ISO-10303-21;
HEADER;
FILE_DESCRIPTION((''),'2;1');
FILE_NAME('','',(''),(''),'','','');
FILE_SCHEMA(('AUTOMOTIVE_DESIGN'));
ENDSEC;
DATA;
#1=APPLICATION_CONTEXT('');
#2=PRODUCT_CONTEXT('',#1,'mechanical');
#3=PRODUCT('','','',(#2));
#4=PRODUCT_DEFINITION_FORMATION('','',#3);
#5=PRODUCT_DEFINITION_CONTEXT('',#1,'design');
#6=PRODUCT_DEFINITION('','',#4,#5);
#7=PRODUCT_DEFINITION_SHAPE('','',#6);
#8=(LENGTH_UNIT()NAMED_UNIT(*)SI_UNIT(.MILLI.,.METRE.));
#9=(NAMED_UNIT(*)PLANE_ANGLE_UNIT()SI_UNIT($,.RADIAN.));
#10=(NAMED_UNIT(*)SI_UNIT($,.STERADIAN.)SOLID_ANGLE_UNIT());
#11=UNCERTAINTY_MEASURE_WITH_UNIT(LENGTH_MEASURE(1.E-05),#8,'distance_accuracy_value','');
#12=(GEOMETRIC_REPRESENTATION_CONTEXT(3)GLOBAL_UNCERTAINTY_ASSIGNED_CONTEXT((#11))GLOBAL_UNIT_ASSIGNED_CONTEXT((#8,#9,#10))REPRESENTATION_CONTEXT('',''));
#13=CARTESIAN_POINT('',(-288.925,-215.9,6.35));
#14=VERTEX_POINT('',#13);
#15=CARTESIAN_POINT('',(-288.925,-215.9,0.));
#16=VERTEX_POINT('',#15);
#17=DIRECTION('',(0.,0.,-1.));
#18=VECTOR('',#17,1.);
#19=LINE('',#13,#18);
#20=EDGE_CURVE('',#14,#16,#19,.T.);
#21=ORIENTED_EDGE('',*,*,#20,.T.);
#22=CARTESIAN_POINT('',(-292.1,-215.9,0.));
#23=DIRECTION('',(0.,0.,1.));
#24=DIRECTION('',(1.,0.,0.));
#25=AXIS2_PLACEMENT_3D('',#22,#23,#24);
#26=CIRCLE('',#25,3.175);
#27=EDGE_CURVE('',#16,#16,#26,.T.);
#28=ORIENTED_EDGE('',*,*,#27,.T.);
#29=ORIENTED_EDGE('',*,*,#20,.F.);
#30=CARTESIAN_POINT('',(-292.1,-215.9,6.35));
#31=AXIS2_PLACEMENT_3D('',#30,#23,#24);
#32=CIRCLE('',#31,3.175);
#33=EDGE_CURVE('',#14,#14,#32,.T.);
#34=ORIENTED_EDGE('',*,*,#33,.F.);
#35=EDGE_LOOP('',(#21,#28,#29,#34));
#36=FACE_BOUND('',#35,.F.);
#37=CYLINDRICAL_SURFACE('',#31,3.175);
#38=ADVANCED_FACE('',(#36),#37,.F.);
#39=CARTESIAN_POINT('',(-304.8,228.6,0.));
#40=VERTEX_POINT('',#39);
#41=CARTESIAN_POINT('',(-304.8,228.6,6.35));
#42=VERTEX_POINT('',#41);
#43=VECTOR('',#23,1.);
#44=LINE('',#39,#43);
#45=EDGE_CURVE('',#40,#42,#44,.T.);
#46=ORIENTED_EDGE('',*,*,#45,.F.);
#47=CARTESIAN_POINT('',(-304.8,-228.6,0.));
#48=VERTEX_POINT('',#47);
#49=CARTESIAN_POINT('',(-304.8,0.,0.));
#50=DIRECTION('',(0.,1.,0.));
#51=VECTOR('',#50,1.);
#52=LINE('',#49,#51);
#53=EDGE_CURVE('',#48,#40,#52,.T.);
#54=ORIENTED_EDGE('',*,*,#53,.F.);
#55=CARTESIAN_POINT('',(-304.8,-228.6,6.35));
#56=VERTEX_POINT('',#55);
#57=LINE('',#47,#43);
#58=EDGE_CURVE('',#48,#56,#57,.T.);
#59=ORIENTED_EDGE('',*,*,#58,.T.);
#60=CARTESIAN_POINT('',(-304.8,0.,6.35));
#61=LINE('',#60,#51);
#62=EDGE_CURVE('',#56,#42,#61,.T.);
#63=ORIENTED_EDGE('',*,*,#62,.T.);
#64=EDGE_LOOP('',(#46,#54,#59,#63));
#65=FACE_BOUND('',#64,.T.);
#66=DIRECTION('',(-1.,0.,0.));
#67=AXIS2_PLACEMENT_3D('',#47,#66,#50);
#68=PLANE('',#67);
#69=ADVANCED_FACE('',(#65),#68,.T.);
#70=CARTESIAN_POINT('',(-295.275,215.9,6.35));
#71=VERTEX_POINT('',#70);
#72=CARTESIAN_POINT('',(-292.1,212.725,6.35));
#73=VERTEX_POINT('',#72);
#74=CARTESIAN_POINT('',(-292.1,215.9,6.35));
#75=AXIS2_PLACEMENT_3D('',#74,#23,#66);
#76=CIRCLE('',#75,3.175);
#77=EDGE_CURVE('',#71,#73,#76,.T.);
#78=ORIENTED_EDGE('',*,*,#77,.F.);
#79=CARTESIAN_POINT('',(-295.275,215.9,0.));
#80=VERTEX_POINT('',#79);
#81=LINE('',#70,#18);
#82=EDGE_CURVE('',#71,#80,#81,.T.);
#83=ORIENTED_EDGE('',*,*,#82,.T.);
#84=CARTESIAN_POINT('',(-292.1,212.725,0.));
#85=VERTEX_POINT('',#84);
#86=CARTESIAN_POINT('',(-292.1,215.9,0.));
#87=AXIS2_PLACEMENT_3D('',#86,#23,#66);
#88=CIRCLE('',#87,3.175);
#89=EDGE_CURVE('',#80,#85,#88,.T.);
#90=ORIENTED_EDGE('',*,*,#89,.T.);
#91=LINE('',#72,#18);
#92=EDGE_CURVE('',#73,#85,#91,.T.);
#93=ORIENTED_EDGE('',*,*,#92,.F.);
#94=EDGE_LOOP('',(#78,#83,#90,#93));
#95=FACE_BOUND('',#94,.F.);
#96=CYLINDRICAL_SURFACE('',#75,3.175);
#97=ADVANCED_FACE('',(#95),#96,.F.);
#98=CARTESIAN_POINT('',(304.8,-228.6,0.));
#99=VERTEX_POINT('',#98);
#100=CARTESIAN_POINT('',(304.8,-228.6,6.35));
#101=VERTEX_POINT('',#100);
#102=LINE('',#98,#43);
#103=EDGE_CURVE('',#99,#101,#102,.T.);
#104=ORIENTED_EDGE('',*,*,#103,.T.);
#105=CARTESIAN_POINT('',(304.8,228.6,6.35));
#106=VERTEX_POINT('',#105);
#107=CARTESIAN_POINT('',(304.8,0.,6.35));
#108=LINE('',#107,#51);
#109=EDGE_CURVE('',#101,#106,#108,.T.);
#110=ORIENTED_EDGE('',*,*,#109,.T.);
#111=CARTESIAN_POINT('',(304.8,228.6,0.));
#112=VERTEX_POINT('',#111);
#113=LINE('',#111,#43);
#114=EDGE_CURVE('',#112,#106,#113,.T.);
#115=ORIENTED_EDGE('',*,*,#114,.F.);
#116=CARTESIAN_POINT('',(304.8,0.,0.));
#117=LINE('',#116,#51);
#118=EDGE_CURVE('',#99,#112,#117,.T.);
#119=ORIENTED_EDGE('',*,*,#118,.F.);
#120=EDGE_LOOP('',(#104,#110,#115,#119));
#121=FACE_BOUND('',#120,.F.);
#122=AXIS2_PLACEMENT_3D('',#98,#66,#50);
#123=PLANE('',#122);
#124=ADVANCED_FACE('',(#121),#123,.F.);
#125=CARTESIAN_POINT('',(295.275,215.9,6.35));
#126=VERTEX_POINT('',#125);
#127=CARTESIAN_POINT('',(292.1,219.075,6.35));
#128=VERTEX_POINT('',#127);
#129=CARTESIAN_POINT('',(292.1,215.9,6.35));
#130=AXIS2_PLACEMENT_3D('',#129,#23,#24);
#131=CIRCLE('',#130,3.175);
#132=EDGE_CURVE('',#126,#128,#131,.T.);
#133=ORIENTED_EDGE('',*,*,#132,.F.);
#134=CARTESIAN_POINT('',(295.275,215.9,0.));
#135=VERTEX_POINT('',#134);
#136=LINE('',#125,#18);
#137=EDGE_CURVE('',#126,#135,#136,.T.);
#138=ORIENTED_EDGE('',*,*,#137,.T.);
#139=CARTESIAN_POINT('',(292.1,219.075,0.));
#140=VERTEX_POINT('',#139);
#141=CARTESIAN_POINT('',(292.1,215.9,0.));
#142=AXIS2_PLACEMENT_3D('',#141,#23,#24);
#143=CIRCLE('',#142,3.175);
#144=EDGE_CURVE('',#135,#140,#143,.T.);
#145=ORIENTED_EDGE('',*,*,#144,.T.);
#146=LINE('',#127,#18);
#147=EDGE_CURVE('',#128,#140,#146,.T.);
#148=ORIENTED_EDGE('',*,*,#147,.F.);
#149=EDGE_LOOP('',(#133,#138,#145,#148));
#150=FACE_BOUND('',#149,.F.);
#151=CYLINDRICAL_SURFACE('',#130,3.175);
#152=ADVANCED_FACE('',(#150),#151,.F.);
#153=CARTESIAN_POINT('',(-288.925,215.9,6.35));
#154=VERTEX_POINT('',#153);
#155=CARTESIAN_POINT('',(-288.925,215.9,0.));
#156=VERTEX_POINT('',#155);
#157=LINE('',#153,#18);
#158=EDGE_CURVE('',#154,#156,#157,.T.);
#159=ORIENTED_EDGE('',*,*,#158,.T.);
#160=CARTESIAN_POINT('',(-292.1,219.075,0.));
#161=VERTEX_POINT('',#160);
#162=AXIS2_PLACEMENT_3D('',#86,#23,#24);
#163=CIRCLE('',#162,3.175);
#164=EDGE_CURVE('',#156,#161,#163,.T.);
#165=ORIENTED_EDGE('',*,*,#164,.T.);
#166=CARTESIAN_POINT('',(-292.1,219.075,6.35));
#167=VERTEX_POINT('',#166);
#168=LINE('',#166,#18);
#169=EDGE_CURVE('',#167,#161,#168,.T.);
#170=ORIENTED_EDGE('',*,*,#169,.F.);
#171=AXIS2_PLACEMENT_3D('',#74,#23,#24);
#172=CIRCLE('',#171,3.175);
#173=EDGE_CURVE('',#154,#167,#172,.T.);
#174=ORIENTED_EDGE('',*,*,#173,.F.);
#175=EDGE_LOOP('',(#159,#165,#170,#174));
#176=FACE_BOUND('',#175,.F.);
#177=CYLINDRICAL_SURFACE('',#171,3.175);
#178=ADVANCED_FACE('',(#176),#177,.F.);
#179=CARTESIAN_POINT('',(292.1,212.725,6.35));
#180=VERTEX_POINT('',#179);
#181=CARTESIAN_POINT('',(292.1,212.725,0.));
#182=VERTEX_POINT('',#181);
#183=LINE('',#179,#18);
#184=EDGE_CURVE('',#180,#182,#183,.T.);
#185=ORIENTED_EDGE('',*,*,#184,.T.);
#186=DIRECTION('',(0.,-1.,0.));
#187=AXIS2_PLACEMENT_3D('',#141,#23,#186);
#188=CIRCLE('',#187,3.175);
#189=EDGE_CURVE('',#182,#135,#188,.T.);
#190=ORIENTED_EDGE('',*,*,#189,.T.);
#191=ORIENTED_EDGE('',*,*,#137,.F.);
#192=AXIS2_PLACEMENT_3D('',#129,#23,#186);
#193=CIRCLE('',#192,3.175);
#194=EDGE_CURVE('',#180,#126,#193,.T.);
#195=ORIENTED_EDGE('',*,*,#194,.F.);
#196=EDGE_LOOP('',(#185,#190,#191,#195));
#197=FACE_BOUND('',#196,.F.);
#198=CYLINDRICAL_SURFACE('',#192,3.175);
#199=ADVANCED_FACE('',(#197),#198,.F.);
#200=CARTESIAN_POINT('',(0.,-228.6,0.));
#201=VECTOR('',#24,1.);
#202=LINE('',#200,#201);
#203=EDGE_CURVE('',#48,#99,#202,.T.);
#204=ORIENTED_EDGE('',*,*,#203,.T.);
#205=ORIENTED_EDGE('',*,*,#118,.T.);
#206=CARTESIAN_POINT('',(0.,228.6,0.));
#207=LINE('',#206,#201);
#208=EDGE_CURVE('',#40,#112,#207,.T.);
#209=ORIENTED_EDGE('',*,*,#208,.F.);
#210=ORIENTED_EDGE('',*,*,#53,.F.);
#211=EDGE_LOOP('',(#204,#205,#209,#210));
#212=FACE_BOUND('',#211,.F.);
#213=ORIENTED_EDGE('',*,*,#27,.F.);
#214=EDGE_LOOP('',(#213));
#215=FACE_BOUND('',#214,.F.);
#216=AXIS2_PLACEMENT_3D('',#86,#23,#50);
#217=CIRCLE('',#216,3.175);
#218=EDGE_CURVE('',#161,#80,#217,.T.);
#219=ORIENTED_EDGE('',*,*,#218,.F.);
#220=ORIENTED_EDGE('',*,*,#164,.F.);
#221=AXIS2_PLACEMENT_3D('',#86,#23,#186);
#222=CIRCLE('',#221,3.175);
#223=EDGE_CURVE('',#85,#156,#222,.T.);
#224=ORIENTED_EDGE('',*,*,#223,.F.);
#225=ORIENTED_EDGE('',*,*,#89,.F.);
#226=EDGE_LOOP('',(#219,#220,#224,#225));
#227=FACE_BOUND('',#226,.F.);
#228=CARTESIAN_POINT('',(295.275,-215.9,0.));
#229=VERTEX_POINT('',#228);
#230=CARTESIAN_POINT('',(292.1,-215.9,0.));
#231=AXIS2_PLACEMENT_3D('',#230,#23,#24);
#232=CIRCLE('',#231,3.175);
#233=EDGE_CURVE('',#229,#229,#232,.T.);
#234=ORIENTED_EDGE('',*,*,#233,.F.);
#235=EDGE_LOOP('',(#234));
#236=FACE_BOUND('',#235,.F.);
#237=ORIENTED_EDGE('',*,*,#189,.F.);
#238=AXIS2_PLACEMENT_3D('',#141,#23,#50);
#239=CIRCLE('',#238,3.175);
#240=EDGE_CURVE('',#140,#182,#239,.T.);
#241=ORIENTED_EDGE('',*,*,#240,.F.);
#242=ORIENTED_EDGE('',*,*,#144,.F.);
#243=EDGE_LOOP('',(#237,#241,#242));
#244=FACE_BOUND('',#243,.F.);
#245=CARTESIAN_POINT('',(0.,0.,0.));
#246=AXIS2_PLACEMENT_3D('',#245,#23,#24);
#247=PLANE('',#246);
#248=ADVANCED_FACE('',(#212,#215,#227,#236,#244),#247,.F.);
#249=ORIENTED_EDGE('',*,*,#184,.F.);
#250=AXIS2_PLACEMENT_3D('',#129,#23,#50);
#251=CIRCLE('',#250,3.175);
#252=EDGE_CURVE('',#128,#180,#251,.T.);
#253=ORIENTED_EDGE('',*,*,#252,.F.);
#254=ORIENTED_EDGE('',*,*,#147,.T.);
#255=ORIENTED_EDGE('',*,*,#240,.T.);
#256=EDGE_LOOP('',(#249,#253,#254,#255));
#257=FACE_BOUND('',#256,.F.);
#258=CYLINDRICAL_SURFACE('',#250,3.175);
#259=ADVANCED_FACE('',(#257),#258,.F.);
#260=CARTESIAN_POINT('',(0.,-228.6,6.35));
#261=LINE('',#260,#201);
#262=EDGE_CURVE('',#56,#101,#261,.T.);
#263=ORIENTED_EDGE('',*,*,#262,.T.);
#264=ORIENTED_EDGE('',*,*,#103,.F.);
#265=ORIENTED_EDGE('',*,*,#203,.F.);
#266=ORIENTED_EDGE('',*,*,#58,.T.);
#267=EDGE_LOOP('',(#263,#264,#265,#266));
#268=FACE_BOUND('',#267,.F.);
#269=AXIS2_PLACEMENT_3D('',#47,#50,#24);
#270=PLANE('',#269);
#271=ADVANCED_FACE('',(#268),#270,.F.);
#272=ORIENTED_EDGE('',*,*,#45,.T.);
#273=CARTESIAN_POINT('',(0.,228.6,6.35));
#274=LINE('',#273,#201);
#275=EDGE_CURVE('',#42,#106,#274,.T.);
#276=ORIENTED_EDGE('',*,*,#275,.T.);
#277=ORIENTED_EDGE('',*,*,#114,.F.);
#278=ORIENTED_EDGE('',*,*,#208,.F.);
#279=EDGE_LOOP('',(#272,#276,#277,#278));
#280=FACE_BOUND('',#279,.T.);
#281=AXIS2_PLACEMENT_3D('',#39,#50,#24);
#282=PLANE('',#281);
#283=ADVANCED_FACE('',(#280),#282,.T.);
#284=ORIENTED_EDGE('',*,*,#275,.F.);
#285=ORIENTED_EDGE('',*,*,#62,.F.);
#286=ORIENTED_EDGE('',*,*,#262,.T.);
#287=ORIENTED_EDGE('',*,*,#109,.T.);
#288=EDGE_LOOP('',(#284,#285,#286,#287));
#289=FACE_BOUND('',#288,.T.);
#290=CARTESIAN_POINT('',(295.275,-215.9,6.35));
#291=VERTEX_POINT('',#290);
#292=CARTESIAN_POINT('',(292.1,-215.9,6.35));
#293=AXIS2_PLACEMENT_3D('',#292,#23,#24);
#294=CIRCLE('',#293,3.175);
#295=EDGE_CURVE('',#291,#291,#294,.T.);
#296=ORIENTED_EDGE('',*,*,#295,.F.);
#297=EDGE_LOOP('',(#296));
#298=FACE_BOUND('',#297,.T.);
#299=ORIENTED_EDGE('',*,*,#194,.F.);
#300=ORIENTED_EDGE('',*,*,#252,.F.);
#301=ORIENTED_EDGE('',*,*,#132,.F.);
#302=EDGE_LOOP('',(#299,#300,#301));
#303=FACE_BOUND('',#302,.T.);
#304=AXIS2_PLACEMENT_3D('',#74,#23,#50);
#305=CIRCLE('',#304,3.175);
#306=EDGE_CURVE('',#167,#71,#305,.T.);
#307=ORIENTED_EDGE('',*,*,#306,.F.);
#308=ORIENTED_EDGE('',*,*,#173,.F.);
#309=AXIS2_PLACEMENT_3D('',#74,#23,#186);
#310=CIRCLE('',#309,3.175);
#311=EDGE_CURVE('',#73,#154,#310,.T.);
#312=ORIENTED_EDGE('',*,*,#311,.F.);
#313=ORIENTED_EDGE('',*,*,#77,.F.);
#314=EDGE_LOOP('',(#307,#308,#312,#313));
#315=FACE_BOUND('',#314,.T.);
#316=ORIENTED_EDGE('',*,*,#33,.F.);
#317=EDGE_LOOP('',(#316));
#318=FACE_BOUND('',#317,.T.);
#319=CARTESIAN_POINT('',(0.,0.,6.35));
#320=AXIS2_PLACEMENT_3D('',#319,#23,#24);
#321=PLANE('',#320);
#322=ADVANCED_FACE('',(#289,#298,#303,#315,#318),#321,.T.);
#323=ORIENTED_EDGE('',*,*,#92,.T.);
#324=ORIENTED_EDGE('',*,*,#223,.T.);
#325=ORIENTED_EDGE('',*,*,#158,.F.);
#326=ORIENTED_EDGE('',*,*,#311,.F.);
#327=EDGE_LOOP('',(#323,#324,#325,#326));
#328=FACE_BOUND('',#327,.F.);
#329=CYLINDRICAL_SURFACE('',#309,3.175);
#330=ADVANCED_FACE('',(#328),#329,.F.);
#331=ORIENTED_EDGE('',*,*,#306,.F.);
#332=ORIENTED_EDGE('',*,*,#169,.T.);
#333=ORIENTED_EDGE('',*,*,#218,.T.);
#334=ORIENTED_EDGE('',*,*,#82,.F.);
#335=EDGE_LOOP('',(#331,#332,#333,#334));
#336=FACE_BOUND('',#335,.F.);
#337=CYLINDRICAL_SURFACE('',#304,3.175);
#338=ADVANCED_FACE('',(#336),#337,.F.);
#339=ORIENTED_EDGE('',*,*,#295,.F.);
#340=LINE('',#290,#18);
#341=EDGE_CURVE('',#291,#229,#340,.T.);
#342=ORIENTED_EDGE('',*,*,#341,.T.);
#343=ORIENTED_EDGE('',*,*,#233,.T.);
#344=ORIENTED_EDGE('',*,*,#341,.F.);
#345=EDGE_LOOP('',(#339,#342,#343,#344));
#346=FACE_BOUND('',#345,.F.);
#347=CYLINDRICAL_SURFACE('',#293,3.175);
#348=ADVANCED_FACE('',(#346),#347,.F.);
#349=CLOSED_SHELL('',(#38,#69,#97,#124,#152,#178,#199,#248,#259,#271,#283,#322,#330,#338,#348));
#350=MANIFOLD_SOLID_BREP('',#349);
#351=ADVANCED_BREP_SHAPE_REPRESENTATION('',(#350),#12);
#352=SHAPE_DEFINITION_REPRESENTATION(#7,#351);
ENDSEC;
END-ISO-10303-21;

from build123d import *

# Parameters (mm, degrees)
F0_W     = 609.6
F0_H     = 457.2
F1_DEPTH = 6.35
F2_R     = 3.175
F3_DEPTH = 6.35


with BuildPart() as f1:
    # F0 (on Top) → F1 (new body)
    with BuildSketch(Plane.XY):
        Rectangle(F0_W, F0_H)
    extrude(amount=F1_DEPTH)

    # F2 (on face) → F3 (cut)
    with BuildSketch(Plane.XY.offset(6.35)):
        with BuildLine():
            Line((-292.1, 219.075), (-292.1, 215.9))
            Line((-292.1, 215.9), (-288.925, 215.9))
            ThreePointArc((-288.925, 215.9), (-289.8549359697, 218.1450640303), (-292.1, 219.075))
        make_face()
        with BuildLine():
            ThreePointArc((-292.1, 219.075), (-294.3450640303, 218.1450640303), (-295.275, 215.9))
            Line((-295.275, 215.9), (-292.1, 215.9))
            Line((-292.1, 215.9), (-292.1, 219.075))
        make_face()
        with BuildLine():
            ThreePointArc((-295.275, 215.9), (-294.3450640303, 213.6549359697), (-292.1, 212.725))
            Line((-292.1, 212.725), (-292.1, 215.9))
            Line((-292.1, 215.9), (-295.275, 215.9))
        make_face()
        with BuildLine():
            Line((-292.1, 215.9), (-292.1, 212.725))
            ThreePointArc((-292.1, 212.725), (-289.8549359697, 213.6549359697), (-288.925, 215.9))
            Line((-288.925, 215.9), (-292.1, 215.9))
        make_face()
        with Locations((-292.1, -215.9)):
            Circle(F2_R)
        with Locations((292.1, -215.9)):
            Circle(F2_R)
        with BuildLine():
            Line((292.1, 219.075), (292.1, 212.725))
            ThreePointArc((292.1, 212.725), (294.3450640303, 213.6549359697), (295.275, 215.9))
            ThreePointArc((295.275, 215.9), (294.3450640303, 218.1450640303), (292.1, 219.075))
        make_face()
        with BuildLine():
            ThreePointArc((292.1, 219.075), (288.925, 215.9), (292.1, 212.725))
            Line((292.1, 212.725), (292.1, 219.075))
        make_face()
    extrude(amount=-F3_DEPTH, mode=Mode.SUBTRACT)


solid = f1.part
